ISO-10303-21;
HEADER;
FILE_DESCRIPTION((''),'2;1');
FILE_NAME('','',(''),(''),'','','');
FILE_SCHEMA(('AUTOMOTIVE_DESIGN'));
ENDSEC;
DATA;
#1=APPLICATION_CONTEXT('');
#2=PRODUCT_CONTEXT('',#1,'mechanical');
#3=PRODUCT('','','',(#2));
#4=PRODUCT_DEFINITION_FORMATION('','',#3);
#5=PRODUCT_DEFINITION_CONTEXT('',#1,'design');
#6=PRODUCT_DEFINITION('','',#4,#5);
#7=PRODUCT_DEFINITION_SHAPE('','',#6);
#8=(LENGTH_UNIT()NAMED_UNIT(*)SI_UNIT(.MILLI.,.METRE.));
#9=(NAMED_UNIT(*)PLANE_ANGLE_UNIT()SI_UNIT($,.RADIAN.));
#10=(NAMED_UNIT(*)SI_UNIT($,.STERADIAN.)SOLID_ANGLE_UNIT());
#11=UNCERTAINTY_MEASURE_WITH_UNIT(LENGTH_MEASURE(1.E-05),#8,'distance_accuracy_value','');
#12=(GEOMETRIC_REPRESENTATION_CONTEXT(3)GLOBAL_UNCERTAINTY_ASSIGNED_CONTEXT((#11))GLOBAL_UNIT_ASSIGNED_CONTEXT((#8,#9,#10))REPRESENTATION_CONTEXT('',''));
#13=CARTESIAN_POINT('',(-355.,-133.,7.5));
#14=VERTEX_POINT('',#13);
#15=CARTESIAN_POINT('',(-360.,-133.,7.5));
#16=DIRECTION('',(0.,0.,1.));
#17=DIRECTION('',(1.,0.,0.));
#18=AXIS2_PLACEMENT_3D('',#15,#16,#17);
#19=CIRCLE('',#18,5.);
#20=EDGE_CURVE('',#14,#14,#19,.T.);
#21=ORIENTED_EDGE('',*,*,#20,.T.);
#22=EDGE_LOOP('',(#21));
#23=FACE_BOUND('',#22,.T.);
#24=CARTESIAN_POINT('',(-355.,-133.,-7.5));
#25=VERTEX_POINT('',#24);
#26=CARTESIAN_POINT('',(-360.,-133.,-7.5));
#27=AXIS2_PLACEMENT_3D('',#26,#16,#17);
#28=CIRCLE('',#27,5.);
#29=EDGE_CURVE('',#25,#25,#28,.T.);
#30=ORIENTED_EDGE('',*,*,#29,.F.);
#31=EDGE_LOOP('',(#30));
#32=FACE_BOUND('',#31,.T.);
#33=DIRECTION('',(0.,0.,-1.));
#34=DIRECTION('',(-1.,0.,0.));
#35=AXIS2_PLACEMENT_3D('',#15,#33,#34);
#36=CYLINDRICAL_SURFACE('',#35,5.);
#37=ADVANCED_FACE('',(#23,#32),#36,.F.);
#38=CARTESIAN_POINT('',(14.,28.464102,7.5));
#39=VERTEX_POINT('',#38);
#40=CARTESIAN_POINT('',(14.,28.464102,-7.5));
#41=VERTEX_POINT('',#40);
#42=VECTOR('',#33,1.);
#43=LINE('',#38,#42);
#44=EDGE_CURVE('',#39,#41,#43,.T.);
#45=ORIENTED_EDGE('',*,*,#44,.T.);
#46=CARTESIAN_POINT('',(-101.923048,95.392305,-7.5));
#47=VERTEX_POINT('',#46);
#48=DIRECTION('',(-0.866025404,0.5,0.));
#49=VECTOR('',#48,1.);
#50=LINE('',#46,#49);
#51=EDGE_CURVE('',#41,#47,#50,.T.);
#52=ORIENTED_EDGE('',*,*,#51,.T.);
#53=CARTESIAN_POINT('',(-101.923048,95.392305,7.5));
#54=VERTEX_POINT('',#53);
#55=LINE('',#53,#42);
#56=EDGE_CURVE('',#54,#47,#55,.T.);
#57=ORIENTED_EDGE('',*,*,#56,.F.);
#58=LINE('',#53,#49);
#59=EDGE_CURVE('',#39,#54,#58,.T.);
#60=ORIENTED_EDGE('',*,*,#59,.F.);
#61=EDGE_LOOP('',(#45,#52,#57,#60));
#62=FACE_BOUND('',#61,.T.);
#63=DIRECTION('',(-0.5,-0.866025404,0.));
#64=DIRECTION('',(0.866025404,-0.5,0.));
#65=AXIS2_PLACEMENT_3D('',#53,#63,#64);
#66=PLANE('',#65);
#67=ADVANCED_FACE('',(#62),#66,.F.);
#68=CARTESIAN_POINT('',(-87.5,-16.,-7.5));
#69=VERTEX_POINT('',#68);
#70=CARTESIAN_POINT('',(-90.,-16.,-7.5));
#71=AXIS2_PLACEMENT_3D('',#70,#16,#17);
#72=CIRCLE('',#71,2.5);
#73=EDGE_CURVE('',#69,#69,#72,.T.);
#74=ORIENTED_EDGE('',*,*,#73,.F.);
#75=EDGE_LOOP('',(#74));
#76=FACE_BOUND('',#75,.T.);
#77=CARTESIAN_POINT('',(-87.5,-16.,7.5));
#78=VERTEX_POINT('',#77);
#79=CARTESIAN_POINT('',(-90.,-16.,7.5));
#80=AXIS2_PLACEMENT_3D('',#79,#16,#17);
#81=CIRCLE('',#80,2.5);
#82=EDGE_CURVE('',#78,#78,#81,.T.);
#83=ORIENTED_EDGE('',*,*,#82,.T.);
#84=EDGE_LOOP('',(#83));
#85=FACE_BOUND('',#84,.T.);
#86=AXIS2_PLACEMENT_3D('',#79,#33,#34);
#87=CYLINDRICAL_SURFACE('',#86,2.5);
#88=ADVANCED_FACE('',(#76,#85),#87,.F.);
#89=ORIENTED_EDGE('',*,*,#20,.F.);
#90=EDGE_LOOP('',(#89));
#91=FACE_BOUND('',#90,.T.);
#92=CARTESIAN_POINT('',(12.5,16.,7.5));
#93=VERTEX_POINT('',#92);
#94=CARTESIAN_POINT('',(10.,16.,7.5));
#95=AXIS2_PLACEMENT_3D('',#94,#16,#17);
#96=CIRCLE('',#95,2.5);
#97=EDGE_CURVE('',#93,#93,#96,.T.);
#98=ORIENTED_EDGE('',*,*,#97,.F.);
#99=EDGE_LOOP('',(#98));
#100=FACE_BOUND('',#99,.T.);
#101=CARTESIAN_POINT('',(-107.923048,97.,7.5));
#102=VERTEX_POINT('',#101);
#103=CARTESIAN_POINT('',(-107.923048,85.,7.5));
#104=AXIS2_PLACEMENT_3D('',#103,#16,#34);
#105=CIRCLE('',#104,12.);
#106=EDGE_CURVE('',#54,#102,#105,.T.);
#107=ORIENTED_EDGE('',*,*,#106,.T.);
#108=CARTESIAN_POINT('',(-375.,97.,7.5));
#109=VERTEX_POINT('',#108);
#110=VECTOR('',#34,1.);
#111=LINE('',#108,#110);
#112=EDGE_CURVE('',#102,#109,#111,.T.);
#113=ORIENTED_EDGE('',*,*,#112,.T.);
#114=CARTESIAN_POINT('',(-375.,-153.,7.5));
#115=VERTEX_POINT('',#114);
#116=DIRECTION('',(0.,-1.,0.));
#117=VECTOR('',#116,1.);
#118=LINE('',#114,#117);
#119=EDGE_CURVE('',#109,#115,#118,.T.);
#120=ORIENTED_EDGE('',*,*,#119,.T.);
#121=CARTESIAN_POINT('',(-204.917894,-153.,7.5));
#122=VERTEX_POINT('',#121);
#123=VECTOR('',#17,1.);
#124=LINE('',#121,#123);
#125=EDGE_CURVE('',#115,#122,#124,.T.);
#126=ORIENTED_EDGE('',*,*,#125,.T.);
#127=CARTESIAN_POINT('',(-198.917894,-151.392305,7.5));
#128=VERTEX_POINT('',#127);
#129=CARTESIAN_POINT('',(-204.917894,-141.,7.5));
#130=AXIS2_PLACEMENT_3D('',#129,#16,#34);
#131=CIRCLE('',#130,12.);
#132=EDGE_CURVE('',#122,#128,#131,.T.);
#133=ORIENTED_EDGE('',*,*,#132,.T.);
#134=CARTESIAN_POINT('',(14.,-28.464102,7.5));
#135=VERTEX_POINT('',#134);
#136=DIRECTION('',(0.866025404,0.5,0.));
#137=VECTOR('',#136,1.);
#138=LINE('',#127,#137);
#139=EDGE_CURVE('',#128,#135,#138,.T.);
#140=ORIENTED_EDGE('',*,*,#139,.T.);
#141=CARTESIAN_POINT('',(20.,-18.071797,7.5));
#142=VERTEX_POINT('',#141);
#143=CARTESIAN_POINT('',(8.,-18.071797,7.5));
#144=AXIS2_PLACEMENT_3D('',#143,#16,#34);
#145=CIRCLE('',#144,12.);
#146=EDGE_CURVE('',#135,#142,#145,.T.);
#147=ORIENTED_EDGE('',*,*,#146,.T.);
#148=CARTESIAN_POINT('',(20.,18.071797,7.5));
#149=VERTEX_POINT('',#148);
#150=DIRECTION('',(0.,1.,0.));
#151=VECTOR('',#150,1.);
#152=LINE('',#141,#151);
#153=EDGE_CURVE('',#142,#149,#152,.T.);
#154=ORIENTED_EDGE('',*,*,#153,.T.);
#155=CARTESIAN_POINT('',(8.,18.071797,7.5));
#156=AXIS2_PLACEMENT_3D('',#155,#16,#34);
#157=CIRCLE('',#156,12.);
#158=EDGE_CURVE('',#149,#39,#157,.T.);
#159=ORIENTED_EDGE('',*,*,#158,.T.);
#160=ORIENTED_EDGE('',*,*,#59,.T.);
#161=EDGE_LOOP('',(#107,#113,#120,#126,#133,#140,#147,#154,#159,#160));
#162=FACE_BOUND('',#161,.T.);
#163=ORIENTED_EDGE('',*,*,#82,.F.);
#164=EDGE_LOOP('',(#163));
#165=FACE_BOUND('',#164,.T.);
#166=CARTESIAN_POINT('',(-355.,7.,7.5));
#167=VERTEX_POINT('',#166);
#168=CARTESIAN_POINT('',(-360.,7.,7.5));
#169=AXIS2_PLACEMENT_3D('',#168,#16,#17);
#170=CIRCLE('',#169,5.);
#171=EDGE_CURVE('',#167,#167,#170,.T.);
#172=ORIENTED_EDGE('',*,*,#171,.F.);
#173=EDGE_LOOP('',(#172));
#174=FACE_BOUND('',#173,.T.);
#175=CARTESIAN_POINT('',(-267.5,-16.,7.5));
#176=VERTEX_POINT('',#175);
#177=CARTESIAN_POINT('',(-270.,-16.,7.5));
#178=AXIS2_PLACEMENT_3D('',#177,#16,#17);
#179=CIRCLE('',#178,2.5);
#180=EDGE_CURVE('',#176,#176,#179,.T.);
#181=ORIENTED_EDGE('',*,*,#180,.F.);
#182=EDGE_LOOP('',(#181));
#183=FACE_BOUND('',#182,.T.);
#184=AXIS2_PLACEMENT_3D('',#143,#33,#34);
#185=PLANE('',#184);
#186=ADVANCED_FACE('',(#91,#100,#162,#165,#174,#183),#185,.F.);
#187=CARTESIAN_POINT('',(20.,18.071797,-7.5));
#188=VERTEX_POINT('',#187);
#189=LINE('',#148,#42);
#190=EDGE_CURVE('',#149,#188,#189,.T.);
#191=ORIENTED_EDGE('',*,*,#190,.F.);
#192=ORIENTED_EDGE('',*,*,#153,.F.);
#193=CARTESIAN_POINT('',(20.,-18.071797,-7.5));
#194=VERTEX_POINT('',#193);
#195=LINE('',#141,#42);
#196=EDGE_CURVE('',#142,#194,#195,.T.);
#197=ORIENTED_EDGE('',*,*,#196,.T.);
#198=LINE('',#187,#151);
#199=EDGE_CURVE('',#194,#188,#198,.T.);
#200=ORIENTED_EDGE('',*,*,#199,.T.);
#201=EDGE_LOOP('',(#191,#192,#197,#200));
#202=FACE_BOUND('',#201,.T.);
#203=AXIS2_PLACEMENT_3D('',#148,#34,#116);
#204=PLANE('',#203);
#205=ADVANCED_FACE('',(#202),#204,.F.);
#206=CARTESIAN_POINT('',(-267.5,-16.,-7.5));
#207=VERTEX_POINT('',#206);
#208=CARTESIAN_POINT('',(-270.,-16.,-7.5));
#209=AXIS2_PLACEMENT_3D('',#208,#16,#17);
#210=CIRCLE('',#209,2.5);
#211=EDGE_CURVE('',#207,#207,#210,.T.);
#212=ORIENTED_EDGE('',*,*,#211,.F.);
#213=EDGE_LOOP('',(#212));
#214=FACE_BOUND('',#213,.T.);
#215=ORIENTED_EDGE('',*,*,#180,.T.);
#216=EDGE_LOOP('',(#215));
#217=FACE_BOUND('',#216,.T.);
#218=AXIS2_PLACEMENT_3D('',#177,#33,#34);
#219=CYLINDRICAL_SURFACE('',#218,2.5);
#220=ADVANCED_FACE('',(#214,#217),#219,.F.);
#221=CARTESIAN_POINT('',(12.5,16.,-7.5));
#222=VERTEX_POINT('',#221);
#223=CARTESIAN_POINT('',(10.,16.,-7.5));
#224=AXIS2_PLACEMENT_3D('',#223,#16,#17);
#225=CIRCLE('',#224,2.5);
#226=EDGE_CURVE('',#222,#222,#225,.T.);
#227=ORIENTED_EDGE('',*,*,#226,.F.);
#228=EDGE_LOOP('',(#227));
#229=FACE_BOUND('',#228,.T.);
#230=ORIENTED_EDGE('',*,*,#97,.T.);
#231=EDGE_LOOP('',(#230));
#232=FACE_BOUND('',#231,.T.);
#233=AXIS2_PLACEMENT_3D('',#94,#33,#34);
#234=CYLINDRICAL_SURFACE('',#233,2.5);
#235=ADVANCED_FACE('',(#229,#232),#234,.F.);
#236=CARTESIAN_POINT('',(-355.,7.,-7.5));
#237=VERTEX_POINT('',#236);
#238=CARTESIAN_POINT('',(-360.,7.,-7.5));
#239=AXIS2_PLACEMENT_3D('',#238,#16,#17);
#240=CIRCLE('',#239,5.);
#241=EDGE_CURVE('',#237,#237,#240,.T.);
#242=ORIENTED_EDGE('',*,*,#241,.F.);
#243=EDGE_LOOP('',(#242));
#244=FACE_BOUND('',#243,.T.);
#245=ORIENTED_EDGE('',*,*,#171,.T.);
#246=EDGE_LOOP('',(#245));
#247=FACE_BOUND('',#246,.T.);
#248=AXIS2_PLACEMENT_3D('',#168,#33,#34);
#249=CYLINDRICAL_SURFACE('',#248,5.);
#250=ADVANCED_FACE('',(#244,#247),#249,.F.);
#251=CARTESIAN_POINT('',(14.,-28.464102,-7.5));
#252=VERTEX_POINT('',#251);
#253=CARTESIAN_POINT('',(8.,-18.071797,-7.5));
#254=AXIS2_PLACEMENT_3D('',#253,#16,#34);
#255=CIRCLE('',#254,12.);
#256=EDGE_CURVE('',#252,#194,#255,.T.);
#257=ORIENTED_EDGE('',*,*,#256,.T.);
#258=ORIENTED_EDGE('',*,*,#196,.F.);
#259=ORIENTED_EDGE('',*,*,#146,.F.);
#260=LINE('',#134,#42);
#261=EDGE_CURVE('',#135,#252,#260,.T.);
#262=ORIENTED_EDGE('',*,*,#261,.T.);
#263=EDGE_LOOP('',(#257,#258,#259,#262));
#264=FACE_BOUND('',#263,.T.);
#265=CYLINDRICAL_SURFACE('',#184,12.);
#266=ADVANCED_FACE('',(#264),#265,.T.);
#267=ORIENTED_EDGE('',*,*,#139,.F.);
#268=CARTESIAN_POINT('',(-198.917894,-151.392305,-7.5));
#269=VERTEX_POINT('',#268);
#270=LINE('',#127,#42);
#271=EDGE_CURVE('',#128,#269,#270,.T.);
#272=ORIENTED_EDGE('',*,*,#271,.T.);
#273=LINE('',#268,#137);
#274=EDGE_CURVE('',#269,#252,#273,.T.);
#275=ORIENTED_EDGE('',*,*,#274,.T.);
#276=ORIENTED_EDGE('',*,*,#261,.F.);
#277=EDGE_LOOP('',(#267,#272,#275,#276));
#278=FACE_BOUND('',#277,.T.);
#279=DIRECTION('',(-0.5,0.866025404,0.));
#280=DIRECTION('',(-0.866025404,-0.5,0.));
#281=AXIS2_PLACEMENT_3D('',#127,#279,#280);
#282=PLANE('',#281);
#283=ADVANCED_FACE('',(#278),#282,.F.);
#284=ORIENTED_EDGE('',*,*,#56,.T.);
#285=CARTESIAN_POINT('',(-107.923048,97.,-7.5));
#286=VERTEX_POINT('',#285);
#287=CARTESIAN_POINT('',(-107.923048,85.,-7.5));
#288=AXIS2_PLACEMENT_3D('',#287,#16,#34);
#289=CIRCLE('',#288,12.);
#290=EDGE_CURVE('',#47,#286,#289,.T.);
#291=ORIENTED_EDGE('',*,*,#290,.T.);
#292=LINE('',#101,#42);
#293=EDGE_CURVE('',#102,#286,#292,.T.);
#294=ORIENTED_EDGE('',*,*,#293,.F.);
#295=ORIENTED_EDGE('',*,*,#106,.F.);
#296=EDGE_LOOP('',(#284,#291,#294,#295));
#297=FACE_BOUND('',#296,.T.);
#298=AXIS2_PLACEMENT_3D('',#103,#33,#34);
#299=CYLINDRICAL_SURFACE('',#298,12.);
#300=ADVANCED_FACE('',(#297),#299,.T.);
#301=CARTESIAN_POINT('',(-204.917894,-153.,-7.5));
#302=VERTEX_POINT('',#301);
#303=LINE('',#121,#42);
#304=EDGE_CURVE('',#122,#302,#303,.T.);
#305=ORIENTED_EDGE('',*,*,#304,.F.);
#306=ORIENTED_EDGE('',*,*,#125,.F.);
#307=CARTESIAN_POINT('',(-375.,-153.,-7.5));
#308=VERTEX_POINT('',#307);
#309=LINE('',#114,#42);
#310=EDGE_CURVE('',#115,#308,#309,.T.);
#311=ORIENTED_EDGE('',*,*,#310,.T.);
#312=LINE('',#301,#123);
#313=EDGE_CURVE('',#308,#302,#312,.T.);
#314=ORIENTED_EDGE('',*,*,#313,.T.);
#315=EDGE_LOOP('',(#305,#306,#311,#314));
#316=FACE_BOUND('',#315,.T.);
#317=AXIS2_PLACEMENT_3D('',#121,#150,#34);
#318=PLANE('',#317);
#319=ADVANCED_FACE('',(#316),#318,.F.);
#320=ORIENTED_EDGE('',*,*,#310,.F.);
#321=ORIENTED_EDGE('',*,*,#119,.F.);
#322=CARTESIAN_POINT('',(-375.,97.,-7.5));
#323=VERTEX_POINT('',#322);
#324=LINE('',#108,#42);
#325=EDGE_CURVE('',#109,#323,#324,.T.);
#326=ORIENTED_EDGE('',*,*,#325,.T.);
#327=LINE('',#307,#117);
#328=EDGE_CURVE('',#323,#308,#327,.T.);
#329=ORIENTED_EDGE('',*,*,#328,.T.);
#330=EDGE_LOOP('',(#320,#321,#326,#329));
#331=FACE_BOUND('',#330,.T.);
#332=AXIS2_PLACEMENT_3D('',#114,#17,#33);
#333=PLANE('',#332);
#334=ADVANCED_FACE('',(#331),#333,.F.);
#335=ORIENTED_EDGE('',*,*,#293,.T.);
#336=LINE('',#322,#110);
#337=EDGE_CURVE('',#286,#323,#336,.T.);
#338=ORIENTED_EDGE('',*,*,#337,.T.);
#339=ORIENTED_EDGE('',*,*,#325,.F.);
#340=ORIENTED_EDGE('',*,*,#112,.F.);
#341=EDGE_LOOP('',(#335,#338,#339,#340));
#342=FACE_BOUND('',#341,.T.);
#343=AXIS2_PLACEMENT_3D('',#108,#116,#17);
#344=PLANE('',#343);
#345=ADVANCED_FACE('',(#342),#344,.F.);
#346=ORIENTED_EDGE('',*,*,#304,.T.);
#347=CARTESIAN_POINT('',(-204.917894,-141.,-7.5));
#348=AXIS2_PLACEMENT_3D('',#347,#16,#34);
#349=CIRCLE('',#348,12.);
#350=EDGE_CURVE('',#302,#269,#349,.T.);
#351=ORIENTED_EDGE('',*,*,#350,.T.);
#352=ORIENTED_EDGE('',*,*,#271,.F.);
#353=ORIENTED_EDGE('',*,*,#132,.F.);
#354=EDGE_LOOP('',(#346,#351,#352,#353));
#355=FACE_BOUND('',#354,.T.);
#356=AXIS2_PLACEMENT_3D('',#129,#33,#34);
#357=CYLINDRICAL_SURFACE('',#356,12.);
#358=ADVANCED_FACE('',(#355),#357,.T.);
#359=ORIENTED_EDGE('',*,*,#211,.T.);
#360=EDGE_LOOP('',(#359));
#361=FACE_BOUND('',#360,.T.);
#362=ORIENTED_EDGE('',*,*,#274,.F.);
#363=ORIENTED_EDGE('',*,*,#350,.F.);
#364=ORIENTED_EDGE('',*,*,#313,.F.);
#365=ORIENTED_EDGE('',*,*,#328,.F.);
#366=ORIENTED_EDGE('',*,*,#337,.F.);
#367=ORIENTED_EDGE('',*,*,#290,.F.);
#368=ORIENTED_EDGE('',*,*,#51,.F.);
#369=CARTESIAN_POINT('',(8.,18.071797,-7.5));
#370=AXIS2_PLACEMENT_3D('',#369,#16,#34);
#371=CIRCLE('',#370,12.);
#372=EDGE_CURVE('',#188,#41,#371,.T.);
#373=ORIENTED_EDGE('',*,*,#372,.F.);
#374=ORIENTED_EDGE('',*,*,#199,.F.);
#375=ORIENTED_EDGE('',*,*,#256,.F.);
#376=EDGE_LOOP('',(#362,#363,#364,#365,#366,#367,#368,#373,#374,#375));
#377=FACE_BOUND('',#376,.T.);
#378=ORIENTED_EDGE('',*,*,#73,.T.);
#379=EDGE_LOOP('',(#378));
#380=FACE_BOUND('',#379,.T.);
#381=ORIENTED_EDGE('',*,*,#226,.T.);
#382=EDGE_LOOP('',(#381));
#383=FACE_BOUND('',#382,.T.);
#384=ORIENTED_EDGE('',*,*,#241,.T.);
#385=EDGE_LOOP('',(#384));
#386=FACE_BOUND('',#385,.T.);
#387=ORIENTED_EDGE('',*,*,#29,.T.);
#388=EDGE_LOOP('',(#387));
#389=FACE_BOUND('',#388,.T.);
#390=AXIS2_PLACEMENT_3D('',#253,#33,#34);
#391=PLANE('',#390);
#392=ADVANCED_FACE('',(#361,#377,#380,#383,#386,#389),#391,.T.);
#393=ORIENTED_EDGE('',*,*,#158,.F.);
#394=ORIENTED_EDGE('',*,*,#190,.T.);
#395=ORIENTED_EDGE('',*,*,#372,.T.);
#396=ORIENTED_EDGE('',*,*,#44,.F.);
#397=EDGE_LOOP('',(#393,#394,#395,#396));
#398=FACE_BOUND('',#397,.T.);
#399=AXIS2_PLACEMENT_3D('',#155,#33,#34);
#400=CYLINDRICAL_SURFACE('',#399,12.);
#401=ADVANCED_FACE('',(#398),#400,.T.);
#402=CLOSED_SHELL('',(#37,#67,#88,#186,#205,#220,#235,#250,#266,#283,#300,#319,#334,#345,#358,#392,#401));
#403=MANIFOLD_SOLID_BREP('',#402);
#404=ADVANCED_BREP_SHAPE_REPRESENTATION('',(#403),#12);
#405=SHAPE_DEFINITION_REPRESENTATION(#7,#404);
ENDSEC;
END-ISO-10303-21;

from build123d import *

# Parameters (mm, degrees)
SKIZZE1_R                       = 2.5
SKIZZE1_R_2                     = 5
AUFSATZ_LINEAR_AUSTRAGEN1_DEPTH = 7.5


with BuildPart() as part:
    # Skizze1 → Aufsatz-Linear austragen1 (new, symmetric)
    with BuildSketch(Plane.XY):
        with BuildLine():
            Line((-204.917893678, -153), (-375, -153))
            Line((-375, -153), (-375, 97))
            Line((-375, 97), (-107.923048454, 97))
            ThreePointArc((-107.923048454, 97), (-104.817219913, 96.591109915), (-101.923048454, 95.392304845))
            Line((-101.923048454, 95.392304845), (14, 28.464101615))
            ThreePointArc((14, 28.464101615), (18.392304845, 24.07179677), (20, 18.07179677))
            Line((20, 18.07179677), (20, 15))
            Line((20, 15), (20, -18.07179677))
            ThreePointArc((20, -18.07179677), (18.392304845, -24.07179677), (14, -28.464101615))
            Line((14, -28.464101615), (-198.917893678, -151.392304845))
            ThreePointArc((-198.917893678, -151.392304845), (-201.812065137, -152.591109915), (-204.917893678, -153))
        make_face()
        with Locations((-270, -16)):
            Circle(SKIZZE1_R, mode=Mode.SUBTRACT)
        with Locations((-360, 7)):
            Circle(SKIZZE1_R_2, mode=Mode.SUBTRACT)
        with Locations((-360, -133)):
            Circle(SKIZZE1_R_2, mode=Mode.SUBTRACT)
        with Locations((-90, -16)):
            Circle(SKIZZE1_R, mode=Mode.SUBTRACT)
        with Locations((10, 16)):
            Circle(SKIZZE1_R, mode=Mode.SUBTRACT)
    extrude(amount=AUFSATZ_LINEAR_AUSTRAGEN1_DEPTH, both=True)


solid = part.part
